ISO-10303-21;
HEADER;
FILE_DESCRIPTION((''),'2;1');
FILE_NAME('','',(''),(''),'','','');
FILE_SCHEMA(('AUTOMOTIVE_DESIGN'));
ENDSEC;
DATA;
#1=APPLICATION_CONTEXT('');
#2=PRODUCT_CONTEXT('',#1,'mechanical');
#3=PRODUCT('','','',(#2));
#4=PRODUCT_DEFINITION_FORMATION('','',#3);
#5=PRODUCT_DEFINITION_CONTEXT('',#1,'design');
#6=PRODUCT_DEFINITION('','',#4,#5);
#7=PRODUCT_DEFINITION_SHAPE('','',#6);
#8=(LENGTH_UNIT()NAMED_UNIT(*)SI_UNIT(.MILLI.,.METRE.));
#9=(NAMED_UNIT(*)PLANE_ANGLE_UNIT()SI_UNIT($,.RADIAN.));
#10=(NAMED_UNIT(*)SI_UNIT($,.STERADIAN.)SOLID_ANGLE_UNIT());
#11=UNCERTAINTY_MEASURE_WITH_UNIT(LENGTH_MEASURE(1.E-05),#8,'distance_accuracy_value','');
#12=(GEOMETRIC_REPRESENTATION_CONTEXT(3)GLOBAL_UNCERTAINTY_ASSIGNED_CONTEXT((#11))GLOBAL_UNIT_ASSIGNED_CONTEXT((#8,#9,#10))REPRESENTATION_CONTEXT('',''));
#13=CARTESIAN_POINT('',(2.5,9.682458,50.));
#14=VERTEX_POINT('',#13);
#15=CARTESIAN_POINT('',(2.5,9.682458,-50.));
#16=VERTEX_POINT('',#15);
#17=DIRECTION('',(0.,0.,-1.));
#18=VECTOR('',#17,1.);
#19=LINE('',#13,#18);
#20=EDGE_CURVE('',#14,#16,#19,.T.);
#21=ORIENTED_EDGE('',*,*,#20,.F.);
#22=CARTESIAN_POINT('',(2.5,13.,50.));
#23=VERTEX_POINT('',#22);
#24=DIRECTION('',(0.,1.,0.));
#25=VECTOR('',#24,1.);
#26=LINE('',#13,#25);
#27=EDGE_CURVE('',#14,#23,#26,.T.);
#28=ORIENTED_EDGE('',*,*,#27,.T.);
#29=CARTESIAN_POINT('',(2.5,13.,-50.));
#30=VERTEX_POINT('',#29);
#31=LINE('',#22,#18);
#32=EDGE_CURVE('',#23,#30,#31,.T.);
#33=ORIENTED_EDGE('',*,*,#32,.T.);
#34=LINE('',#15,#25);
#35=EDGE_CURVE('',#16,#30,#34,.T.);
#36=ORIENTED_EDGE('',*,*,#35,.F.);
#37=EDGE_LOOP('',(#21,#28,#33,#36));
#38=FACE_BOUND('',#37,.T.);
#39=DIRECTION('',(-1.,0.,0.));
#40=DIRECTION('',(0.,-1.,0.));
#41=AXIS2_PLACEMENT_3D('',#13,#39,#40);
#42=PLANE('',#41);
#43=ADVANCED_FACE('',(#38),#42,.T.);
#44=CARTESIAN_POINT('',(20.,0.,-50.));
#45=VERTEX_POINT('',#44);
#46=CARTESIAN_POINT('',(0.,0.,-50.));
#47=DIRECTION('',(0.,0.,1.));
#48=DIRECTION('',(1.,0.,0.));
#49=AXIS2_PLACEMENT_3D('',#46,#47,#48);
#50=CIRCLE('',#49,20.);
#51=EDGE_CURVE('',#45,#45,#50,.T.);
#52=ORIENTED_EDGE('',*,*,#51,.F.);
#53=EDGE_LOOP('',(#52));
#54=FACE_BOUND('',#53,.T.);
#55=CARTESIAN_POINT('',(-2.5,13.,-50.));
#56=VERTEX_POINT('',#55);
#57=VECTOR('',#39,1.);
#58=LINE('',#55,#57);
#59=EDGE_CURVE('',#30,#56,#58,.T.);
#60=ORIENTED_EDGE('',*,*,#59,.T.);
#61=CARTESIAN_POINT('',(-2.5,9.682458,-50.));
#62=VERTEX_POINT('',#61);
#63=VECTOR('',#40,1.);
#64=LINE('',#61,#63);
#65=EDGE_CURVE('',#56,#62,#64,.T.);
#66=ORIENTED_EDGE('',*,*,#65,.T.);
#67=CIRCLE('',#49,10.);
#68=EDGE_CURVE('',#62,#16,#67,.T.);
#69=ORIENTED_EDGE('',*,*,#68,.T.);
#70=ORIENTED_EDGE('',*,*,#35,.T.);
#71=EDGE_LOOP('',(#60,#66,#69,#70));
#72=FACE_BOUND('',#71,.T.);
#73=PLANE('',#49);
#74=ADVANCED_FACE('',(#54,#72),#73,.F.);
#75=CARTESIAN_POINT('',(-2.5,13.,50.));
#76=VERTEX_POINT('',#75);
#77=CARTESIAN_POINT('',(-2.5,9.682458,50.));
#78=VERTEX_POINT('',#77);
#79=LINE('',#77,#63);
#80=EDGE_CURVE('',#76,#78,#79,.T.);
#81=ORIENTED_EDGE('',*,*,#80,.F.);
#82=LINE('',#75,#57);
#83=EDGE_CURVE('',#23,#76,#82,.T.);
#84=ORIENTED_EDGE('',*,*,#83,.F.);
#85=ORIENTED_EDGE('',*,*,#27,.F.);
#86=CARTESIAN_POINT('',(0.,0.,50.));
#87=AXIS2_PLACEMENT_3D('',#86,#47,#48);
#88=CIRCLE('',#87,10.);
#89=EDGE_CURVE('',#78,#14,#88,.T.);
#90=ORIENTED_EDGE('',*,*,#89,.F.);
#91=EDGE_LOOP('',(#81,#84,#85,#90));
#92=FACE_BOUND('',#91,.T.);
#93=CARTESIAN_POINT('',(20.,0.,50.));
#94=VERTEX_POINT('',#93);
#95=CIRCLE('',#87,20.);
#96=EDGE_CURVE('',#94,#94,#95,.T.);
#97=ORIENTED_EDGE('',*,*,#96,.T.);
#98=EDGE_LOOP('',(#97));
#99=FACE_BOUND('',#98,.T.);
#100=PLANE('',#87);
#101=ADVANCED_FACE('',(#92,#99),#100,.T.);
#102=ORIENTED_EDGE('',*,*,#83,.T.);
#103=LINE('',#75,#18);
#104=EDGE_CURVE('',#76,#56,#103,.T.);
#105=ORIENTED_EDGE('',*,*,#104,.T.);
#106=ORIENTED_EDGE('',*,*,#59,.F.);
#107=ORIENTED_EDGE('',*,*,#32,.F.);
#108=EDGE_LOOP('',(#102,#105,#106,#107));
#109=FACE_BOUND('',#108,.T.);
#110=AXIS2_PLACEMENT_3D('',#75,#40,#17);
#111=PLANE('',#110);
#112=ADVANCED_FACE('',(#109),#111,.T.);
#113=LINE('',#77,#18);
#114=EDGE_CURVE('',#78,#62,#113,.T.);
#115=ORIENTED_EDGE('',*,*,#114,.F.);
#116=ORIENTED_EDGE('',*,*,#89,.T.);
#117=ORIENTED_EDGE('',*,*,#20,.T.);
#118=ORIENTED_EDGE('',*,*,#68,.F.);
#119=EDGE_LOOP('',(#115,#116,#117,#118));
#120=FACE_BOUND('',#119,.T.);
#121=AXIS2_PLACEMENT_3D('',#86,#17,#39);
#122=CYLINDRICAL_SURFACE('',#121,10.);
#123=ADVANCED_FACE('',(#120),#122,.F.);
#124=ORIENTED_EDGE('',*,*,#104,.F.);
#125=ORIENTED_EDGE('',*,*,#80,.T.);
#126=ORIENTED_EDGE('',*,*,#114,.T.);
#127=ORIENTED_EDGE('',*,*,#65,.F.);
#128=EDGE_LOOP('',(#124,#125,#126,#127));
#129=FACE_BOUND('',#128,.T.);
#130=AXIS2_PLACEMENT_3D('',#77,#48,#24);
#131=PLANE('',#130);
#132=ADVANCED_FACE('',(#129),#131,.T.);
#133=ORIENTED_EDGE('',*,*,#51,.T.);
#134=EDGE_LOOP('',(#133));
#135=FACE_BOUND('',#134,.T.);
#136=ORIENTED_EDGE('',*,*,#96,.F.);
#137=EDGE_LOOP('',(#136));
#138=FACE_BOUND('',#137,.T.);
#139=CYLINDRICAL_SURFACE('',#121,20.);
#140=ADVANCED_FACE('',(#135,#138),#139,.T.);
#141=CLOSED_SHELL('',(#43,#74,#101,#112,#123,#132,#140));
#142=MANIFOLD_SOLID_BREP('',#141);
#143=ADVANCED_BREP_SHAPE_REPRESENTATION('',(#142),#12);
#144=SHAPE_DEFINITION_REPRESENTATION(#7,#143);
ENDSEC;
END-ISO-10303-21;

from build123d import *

# Parameters (mm, degrees)
SKETCH1_R           = 20
BOSS_EXTRUDE1_DEPTH = 50


with BuildPart() as part:
    # Sketch1 → Boss-Extrude1 (new body, symmetric)
    with BuildSketch(Plane.XY):
        Circle(SKETCH1_R)
        with BuildLine():
            Line((2.5, 9.682458366), (2.5, 13))
            Line((2.5, 13), (-2.5, 13))
            Line((-2.5, 13), (-2.5, 9.682458366))
            ThreePointArc((-2.5, 9.682458366), (0, -10), (2.5, 9.682458366))
        make_face(mode=Mode.SUBTRACT)
    extrude(amount=BOSS_EXTRUDE1_DEPTH, both=True)


solid = part.part
